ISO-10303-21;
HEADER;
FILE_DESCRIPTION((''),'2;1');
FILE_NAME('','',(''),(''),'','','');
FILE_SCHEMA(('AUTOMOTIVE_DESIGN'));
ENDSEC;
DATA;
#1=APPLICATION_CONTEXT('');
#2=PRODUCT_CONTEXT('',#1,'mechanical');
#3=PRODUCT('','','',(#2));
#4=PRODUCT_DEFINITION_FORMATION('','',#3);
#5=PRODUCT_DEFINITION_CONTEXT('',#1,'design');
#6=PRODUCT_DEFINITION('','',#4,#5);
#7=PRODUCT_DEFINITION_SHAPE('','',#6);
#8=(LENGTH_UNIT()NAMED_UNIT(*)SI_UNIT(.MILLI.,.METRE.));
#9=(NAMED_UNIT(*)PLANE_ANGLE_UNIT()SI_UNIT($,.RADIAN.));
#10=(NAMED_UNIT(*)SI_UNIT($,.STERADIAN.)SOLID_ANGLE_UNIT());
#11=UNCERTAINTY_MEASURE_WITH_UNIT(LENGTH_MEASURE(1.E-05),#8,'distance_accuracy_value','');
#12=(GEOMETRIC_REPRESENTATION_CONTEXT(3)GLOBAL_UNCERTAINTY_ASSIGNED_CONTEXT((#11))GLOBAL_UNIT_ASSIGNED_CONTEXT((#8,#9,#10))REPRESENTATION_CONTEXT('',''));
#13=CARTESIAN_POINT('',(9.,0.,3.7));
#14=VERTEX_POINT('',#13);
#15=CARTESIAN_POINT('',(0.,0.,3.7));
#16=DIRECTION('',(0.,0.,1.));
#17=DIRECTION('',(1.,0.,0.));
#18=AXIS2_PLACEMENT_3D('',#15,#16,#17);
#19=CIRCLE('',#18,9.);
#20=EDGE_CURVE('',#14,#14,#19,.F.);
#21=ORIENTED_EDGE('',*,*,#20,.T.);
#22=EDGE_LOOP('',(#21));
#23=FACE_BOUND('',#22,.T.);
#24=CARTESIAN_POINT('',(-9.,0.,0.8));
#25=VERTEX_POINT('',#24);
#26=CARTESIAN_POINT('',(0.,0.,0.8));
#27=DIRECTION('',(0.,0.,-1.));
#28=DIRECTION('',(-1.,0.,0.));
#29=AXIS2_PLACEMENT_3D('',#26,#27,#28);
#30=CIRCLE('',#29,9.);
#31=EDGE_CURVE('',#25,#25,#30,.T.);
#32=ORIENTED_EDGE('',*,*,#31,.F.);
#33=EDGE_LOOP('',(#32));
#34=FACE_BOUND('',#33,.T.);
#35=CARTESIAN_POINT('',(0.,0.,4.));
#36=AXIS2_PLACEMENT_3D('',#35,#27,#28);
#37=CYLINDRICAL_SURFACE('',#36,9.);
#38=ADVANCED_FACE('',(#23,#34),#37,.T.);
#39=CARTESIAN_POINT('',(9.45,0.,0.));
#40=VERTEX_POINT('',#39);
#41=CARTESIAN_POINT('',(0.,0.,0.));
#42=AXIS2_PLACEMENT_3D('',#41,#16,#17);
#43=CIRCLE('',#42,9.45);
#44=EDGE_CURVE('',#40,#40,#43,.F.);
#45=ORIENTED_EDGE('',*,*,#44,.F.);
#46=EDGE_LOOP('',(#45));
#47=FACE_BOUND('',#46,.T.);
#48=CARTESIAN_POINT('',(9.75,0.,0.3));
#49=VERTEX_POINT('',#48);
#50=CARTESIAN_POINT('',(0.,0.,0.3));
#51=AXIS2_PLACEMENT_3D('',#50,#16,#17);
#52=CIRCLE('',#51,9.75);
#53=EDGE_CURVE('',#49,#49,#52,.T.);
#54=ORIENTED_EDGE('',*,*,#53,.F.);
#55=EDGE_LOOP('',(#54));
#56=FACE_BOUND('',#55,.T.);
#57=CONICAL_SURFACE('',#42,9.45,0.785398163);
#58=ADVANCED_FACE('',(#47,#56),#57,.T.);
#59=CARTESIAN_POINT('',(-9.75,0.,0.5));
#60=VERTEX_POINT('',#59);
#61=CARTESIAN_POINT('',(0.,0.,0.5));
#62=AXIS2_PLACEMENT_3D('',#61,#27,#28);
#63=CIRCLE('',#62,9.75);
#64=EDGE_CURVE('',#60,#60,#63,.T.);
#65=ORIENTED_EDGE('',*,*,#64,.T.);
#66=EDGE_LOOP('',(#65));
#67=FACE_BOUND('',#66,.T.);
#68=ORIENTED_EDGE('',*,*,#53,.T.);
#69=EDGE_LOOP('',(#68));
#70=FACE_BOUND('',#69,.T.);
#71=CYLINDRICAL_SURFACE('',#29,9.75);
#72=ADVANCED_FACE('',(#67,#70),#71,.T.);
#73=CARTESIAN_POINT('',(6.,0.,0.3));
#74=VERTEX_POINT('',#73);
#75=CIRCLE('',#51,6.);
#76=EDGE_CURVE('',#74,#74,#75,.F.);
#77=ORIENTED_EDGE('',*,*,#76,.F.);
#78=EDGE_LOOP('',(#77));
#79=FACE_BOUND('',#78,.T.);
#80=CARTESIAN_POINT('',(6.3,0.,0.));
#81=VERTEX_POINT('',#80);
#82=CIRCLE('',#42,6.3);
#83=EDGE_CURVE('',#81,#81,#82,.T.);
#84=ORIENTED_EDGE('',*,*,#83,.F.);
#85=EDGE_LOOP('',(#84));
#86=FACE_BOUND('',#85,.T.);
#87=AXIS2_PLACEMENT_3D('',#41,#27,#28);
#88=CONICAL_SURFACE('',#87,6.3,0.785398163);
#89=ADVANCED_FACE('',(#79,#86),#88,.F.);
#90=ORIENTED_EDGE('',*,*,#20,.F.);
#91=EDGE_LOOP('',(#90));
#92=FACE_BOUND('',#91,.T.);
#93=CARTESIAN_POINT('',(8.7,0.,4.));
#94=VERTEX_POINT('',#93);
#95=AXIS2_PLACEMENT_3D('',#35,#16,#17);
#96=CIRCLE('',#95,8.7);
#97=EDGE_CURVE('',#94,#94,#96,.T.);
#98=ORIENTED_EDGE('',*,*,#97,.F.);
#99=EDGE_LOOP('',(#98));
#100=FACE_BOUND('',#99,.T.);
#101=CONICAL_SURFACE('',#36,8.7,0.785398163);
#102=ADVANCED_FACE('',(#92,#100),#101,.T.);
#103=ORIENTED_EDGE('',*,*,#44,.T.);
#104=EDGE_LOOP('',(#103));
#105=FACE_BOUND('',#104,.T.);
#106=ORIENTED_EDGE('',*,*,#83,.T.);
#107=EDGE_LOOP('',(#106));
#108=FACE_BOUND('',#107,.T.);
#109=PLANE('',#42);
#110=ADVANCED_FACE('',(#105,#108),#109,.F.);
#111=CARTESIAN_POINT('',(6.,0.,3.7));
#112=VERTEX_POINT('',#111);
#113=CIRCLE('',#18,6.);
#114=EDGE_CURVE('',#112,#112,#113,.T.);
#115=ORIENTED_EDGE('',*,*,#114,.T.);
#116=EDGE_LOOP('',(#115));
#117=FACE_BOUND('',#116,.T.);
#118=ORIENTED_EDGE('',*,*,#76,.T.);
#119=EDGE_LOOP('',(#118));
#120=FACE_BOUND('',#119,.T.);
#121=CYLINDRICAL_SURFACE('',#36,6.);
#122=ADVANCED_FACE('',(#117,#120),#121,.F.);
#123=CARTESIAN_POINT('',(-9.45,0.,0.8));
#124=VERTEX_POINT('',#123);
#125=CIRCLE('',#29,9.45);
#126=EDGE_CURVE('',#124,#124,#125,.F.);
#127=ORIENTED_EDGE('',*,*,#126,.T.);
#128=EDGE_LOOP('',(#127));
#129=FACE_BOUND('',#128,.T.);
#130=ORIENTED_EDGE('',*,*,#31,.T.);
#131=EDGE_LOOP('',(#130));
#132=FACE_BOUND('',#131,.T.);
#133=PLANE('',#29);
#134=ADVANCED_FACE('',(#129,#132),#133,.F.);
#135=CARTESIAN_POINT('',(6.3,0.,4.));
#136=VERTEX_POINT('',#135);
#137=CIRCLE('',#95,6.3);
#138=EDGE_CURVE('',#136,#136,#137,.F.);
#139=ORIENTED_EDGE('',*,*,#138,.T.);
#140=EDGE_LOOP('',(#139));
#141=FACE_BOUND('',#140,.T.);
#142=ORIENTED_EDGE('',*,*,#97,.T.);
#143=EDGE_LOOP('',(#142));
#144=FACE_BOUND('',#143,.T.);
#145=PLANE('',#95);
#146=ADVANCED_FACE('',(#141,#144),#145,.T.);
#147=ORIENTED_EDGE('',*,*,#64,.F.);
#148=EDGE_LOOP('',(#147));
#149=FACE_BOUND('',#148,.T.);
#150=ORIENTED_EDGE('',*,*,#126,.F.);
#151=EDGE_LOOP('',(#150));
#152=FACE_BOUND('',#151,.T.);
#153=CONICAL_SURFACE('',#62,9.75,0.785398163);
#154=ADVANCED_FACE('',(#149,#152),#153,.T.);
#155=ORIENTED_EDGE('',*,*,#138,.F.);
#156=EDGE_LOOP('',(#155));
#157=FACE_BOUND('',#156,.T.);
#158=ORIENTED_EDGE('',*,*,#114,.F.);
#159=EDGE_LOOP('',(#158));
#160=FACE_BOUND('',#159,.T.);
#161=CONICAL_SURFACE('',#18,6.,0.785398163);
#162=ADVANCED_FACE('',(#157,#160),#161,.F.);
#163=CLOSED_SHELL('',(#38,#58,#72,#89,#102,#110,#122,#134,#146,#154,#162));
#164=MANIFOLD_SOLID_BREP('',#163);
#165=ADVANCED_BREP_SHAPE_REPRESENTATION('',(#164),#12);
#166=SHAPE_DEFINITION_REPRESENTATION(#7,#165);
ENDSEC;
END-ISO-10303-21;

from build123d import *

# Parameters (mm, degrees)
SKETCH_1_R      = 9
SKETCH_1_R_2    = 6
EXTRUDE_1_DEPTH = 4
SKETCH_2_R      = 9.75
SKETCH_2_R_2    = 9
EXTRUDE_2_DEPTH = 0.8
CHAMFER_1_SIZE  = 0.3


with BuildPart() as part:
    # 草图1 → 凸台-拉伸1 (new body)
    with BuildSketch(Plane.XY):
        Circle(SKETCH_1_R)
        Circle(SKETCH_1_R_2, mode=Mode.SUBTRACT)
    extrude(amount=EXTRUDE_1_DEPTH)

    # 草图2 → 凸台-拉伸2 (add)
    with BuildSketch(Plane(origin=(0, 0, 0), x_dir=(-1, 0, 0), z_dir=(0, 0, -1))):
        Circle(SKETCH_2_R)
        Circle(SKETCH_2_R_2, mode=Mode.SUBTRACT)
    extrude(amount=-EXTRUDE_2_DEPTH)

    # 倒角1
    chamfer_1_edges = [part.edges().sort_by_distance(p)[0] for p in [
        (9.75, 0, 0.8),
        (9.75, 0, 0),
        (-9, 0, 4),
        (-6, 0, 0),
        (-6, 0, 4),
    ]]
    chamfer(chamfer_1_edges, length=CHAMFER_1_SIZE)


solid = part.part
